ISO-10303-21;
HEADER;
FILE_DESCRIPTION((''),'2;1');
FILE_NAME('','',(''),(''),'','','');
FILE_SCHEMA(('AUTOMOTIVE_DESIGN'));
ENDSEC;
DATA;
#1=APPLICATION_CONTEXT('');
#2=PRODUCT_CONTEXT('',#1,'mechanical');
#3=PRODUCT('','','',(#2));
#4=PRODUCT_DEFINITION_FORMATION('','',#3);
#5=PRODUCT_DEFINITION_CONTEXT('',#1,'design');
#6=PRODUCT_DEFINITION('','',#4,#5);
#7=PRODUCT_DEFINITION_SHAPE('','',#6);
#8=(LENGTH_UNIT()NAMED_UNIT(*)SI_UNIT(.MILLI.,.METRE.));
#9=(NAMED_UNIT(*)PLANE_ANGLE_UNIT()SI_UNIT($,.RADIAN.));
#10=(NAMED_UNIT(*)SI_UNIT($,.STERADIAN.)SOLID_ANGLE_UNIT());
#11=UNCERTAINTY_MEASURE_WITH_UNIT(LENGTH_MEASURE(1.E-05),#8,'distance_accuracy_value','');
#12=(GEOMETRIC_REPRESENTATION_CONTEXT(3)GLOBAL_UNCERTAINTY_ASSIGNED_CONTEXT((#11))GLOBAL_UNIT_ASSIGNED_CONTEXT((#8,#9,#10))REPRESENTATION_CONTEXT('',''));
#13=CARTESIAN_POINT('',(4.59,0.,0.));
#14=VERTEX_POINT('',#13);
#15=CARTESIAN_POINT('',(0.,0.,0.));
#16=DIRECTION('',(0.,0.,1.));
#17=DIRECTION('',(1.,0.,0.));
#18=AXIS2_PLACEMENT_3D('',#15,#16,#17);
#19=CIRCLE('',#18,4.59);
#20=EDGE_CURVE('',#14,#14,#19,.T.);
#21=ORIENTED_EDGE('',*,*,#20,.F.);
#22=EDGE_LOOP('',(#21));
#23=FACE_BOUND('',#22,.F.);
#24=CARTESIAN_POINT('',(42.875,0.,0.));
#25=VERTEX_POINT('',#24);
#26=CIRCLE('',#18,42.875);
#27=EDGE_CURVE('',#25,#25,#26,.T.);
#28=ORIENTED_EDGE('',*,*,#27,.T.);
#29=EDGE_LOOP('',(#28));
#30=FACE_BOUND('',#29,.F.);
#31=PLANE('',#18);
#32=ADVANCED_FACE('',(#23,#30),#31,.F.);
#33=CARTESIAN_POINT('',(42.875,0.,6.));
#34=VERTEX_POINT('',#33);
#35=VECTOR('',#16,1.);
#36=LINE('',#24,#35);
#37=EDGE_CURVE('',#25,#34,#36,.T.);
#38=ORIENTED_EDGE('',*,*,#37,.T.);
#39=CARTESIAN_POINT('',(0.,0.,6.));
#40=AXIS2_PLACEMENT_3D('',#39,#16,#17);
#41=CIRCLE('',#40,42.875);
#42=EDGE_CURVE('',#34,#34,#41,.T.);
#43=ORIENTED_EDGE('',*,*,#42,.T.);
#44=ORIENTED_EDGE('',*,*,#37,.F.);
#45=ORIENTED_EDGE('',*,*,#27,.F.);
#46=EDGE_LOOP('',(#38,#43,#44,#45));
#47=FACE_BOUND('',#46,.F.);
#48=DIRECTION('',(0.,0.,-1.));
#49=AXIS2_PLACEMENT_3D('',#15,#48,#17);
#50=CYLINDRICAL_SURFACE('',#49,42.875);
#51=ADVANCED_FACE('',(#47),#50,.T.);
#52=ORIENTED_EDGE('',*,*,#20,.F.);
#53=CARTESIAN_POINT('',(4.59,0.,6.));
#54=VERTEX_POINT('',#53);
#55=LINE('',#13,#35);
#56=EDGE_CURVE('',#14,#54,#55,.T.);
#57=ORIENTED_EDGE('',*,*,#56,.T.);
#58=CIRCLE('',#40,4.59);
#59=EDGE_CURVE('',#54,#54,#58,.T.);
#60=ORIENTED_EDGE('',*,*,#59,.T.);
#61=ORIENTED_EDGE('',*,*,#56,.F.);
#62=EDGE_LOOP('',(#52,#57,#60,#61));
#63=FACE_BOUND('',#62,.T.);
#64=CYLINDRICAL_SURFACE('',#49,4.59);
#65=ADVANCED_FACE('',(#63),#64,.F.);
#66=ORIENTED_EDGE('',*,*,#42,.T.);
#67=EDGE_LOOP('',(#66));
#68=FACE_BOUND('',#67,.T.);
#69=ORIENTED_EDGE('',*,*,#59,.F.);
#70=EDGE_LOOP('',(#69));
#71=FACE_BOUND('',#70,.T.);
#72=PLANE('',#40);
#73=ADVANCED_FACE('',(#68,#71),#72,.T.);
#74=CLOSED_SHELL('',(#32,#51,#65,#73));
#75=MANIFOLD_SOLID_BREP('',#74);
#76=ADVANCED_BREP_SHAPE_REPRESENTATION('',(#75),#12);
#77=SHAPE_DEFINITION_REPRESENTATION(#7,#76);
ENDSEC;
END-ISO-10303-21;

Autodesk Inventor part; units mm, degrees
ref_plane "YZ Plane" through (0, 0, 0) normal (1, 0, 0) x (0, 1, 0)
ref_plane "XZ Plane" through (0, 0, 0) normal (0, 1, 0) x (-1, 0, 0)
ref_plane "XY Plane" through (0, 0, 0) normal (0, 0, 1) x (1, 0, 0)
sketch "Sketch1" plane through (0, 0, 0) normal (0, 0, 1) x (1, 0, 0)
  circle A0 centre (0, 0) radius 4.59
  circle A1 centre (0, 0) radius 42.875
  dimension "d0" = 9.18
  dimension "d1" = 85.75
extrude "Extrusion1" add sketch "Sketch1" along normal blind 6
properties part number "NPT Gland"
